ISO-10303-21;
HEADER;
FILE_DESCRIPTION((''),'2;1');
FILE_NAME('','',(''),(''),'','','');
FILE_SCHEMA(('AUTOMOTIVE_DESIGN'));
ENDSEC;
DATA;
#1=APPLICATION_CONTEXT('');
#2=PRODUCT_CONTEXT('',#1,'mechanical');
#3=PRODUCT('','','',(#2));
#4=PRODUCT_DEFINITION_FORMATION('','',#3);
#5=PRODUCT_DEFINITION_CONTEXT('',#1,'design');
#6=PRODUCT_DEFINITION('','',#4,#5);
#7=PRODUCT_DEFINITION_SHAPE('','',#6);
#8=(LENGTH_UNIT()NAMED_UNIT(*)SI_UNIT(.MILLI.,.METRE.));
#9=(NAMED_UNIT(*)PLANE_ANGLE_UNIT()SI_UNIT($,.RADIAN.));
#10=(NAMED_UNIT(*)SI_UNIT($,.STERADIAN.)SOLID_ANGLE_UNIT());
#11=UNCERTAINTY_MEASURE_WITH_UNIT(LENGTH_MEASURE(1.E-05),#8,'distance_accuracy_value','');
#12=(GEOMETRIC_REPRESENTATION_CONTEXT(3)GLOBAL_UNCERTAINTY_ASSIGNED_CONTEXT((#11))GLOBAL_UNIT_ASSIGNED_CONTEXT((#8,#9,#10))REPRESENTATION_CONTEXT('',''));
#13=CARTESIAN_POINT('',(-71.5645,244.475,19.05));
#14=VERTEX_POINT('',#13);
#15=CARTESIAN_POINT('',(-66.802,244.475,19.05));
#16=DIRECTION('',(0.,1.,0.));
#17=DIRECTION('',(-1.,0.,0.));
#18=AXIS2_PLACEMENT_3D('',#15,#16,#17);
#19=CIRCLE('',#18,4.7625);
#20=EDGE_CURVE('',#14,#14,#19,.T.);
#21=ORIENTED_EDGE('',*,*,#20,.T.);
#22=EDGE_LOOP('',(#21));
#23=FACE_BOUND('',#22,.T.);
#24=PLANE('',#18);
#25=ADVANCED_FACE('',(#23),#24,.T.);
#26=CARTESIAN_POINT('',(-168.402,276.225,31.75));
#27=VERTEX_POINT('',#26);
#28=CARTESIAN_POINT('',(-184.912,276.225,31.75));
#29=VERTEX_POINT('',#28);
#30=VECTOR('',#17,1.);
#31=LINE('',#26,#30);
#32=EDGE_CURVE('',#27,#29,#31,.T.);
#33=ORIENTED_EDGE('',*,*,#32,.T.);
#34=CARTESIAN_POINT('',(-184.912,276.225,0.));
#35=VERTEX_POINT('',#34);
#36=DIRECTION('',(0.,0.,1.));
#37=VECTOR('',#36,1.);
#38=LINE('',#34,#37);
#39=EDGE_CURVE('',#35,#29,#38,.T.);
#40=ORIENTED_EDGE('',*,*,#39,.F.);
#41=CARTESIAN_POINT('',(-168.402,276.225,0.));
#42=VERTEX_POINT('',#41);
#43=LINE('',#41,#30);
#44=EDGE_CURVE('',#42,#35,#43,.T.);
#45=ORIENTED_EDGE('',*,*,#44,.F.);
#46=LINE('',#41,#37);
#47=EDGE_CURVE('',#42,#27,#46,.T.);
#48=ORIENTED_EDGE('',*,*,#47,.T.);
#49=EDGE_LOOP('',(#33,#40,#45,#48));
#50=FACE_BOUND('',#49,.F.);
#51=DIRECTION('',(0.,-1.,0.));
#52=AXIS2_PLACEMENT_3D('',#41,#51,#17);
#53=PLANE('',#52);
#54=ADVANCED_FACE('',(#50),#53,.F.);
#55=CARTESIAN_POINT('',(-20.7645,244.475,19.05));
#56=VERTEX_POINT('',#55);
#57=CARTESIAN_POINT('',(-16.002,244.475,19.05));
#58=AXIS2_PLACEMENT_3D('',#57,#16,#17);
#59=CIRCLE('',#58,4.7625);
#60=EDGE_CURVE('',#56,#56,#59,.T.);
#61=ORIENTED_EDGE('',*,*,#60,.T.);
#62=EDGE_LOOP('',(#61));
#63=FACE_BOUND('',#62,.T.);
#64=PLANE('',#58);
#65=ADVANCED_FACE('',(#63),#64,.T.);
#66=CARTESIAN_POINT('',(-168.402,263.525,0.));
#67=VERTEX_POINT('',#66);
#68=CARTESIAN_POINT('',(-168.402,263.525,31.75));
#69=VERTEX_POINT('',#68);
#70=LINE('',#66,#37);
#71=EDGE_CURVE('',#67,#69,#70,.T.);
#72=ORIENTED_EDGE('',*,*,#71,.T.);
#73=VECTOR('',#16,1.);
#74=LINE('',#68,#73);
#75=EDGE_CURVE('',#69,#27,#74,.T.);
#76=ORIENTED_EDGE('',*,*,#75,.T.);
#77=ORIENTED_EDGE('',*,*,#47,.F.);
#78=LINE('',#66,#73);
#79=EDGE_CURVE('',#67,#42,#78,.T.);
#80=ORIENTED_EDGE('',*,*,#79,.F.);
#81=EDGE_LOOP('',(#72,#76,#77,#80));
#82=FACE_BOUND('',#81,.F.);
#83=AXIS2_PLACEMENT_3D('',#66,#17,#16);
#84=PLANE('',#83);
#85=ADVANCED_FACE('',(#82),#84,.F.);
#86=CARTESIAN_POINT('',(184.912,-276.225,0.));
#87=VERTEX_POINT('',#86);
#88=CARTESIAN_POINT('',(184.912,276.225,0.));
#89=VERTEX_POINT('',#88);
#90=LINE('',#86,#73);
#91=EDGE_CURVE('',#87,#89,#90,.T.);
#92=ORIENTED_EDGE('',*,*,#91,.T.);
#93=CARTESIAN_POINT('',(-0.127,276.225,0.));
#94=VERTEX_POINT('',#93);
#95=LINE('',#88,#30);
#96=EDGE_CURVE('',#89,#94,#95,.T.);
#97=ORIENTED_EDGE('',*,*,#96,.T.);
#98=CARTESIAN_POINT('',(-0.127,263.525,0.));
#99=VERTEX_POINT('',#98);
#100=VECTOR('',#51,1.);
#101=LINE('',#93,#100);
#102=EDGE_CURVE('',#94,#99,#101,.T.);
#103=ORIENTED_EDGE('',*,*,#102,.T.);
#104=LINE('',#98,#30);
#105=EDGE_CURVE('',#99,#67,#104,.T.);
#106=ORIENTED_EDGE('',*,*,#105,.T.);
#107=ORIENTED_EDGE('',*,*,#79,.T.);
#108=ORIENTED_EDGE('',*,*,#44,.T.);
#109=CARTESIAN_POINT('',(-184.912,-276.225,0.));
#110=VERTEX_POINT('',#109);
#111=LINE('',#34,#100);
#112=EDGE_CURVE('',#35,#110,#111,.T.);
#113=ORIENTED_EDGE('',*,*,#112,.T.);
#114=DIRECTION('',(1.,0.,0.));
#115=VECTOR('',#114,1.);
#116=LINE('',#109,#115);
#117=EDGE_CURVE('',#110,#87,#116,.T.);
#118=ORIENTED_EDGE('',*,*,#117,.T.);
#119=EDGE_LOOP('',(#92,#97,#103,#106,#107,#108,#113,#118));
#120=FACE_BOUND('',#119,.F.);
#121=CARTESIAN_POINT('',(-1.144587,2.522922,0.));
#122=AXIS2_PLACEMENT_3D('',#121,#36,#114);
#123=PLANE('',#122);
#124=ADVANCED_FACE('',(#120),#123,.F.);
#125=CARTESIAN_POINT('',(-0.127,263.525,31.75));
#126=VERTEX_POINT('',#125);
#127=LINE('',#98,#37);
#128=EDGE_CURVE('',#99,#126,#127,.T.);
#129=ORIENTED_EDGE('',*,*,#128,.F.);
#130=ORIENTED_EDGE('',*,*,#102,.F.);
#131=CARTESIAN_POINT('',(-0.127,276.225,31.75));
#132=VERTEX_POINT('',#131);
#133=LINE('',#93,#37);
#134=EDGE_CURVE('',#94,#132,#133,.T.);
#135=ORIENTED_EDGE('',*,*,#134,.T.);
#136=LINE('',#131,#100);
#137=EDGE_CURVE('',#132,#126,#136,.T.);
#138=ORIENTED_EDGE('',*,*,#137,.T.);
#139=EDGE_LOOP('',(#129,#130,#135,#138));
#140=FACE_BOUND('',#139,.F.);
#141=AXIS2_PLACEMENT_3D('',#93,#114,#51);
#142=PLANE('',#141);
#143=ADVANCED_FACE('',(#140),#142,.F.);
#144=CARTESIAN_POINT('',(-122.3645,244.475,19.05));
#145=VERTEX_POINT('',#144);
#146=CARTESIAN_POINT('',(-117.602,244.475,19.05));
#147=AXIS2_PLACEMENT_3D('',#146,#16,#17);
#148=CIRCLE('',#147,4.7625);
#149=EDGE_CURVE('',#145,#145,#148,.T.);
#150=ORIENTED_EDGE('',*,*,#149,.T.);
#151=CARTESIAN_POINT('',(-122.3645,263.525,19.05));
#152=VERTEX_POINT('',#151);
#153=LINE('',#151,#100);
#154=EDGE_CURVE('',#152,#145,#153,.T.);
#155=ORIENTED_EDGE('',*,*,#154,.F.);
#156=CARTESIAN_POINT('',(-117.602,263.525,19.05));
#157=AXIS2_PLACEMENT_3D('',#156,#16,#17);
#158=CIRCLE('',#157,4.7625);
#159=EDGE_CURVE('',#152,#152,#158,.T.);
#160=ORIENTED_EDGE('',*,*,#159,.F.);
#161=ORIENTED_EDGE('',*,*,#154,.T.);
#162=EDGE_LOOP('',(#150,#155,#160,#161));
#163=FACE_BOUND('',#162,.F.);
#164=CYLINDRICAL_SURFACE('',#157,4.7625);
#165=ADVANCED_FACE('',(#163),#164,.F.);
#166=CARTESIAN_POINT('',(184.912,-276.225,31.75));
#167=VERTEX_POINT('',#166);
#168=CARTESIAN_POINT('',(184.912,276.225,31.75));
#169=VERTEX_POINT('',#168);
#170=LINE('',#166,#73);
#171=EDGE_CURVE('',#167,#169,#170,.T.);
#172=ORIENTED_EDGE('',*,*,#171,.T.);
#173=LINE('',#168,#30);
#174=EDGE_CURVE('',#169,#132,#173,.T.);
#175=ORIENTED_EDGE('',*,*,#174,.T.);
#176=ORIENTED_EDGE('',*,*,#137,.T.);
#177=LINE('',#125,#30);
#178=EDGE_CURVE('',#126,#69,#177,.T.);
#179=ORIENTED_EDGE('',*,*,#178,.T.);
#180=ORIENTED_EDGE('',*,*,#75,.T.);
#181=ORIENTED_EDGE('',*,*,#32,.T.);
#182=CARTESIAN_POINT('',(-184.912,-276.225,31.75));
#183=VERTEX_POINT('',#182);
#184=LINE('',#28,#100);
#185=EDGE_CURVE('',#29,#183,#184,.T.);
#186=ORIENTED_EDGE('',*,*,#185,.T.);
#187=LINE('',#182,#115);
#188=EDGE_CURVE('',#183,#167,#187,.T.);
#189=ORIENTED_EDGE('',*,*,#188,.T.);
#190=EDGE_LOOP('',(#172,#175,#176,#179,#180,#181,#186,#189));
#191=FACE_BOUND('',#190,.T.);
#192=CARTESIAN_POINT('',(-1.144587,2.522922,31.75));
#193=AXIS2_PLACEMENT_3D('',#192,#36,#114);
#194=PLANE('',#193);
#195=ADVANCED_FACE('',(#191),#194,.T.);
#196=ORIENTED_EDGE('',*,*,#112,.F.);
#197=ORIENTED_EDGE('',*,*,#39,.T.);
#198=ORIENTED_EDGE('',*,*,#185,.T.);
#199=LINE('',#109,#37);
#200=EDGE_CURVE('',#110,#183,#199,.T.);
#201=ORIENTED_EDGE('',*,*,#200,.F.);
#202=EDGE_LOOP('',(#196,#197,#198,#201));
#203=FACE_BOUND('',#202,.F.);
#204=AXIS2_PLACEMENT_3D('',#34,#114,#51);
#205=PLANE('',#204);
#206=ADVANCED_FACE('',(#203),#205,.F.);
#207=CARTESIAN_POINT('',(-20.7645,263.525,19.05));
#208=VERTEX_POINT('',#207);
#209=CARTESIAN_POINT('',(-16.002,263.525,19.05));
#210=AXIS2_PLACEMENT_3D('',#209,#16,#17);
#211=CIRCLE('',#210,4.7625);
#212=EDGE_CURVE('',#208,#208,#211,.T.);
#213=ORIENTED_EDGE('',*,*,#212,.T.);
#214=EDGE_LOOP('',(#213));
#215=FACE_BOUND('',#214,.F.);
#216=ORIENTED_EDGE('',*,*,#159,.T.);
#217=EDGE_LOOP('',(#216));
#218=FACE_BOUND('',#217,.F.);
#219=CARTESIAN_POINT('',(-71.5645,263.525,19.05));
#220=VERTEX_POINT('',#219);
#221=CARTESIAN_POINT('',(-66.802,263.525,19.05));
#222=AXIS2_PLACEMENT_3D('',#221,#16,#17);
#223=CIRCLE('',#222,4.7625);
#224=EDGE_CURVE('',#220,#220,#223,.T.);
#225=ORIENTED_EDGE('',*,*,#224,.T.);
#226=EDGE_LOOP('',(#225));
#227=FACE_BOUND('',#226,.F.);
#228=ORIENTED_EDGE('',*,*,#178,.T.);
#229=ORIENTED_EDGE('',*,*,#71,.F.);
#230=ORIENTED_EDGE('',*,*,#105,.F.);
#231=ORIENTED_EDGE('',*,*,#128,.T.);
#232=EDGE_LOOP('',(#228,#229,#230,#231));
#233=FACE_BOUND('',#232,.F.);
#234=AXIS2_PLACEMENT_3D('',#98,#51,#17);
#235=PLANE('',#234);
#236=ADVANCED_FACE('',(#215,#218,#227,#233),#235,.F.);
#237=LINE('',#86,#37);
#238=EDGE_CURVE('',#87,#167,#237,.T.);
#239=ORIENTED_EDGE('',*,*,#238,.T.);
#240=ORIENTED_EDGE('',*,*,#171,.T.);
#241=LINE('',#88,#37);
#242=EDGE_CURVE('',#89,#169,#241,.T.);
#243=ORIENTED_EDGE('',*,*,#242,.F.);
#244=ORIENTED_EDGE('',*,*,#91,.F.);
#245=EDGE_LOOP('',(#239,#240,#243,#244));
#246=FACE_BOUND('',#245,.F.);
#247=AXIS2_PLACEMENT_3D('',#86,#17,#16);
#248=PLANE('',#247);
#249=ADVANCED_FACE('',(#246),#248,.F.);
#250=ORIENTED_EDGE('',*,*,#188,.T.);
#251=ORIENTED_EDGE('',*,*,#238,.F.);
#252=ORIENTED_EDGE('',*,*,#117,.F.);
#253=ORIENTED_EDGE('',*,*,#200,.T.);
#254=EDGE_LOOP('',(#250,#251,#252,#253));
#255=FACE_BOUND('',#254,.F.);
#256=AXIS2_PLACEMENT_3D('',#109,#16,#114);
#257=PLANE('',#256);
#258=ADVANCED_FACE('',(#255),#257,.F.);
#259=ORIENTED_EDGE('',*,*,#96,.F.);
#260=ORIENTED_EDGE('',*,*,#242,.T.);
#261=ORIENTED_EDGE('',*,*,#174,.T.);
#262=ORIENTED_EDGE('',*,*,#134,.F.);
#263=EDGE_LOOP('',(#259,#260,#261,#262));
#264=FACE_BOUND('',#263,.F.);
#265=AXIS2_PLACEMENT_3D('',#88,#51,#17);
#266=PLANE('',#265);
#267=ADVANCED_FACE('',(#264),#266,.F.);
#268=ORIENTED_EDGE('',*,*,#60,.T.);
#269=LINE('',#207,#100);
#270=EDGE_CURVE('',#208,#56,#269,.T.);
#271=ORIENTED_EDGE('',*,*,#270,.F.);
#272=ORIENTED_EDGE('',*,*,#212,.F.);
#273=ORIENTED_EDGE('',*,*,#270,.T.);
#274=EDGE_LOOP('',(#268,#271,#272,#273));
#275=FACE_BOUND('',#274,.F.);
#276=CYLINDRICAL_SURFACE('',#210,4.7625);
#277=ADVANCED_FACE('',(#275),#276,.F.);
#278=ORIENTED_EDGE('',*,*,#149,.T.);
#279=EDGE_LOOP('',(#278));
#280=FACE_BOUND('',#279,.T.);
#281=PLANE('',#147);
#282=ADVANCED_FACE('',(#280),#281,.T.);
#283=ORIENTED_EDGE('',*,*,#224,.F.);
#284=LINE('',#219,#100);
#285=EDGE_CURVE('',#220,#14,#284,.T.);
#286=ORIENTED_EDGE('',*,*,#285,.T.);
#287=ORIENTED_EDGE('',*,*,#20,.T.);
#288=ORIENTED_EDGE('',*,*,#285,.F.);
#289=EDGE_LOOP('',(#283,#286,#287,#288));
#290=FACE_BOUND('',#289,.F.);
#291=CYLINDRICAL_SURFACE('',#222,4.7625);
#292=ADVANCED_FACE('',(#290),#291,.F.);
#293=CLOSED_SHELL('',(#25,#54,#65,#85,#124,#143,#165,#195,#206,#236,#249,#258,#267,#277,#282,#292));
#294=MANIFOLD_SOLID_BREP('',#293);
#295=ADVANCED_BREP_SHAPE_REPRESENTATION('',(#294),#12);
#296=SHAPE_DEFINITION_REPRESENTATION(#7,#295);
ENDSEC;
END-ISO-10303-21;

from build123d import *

# Parameters (mm, degrees)
F1_DEPTH = 31.75
F2_R     = 4.7625
F3_DEPTH = 19.05


with BuildPart() as f1:
    # F0 (on Top) → F1 (new body)
    with BuildSketch(Plane.XY):
        Polygon((184.912, -276.225), (184.912, 276.225), (-0.127, 276.225), (-0.127, 263.525), (-168.402, 263.525), (-168.402, 276.225), (-184.912, 276.225), (-184.912, -276.225), align=None)
    extrude(amount=F1_DEPTH)

    # F2 (on face) → F3 (cut)
    with BuildSketch(Plane(origin=(0, 263.525, 0), x_dir=(-1, 0, 0), z_dir=(0, 1, 0))):
        with Locations((117.602, 19.05)):
            Circle(F2_R)
        with Locations((66.802, 19.05)):
            Circle(F2_R)
        with Locations((16.002, 19.05)):
            Circle(F2_R)
    extrude(amount=-F3_DEPTH, mode=Mode.SUBTRACT)


solid = f1.part
